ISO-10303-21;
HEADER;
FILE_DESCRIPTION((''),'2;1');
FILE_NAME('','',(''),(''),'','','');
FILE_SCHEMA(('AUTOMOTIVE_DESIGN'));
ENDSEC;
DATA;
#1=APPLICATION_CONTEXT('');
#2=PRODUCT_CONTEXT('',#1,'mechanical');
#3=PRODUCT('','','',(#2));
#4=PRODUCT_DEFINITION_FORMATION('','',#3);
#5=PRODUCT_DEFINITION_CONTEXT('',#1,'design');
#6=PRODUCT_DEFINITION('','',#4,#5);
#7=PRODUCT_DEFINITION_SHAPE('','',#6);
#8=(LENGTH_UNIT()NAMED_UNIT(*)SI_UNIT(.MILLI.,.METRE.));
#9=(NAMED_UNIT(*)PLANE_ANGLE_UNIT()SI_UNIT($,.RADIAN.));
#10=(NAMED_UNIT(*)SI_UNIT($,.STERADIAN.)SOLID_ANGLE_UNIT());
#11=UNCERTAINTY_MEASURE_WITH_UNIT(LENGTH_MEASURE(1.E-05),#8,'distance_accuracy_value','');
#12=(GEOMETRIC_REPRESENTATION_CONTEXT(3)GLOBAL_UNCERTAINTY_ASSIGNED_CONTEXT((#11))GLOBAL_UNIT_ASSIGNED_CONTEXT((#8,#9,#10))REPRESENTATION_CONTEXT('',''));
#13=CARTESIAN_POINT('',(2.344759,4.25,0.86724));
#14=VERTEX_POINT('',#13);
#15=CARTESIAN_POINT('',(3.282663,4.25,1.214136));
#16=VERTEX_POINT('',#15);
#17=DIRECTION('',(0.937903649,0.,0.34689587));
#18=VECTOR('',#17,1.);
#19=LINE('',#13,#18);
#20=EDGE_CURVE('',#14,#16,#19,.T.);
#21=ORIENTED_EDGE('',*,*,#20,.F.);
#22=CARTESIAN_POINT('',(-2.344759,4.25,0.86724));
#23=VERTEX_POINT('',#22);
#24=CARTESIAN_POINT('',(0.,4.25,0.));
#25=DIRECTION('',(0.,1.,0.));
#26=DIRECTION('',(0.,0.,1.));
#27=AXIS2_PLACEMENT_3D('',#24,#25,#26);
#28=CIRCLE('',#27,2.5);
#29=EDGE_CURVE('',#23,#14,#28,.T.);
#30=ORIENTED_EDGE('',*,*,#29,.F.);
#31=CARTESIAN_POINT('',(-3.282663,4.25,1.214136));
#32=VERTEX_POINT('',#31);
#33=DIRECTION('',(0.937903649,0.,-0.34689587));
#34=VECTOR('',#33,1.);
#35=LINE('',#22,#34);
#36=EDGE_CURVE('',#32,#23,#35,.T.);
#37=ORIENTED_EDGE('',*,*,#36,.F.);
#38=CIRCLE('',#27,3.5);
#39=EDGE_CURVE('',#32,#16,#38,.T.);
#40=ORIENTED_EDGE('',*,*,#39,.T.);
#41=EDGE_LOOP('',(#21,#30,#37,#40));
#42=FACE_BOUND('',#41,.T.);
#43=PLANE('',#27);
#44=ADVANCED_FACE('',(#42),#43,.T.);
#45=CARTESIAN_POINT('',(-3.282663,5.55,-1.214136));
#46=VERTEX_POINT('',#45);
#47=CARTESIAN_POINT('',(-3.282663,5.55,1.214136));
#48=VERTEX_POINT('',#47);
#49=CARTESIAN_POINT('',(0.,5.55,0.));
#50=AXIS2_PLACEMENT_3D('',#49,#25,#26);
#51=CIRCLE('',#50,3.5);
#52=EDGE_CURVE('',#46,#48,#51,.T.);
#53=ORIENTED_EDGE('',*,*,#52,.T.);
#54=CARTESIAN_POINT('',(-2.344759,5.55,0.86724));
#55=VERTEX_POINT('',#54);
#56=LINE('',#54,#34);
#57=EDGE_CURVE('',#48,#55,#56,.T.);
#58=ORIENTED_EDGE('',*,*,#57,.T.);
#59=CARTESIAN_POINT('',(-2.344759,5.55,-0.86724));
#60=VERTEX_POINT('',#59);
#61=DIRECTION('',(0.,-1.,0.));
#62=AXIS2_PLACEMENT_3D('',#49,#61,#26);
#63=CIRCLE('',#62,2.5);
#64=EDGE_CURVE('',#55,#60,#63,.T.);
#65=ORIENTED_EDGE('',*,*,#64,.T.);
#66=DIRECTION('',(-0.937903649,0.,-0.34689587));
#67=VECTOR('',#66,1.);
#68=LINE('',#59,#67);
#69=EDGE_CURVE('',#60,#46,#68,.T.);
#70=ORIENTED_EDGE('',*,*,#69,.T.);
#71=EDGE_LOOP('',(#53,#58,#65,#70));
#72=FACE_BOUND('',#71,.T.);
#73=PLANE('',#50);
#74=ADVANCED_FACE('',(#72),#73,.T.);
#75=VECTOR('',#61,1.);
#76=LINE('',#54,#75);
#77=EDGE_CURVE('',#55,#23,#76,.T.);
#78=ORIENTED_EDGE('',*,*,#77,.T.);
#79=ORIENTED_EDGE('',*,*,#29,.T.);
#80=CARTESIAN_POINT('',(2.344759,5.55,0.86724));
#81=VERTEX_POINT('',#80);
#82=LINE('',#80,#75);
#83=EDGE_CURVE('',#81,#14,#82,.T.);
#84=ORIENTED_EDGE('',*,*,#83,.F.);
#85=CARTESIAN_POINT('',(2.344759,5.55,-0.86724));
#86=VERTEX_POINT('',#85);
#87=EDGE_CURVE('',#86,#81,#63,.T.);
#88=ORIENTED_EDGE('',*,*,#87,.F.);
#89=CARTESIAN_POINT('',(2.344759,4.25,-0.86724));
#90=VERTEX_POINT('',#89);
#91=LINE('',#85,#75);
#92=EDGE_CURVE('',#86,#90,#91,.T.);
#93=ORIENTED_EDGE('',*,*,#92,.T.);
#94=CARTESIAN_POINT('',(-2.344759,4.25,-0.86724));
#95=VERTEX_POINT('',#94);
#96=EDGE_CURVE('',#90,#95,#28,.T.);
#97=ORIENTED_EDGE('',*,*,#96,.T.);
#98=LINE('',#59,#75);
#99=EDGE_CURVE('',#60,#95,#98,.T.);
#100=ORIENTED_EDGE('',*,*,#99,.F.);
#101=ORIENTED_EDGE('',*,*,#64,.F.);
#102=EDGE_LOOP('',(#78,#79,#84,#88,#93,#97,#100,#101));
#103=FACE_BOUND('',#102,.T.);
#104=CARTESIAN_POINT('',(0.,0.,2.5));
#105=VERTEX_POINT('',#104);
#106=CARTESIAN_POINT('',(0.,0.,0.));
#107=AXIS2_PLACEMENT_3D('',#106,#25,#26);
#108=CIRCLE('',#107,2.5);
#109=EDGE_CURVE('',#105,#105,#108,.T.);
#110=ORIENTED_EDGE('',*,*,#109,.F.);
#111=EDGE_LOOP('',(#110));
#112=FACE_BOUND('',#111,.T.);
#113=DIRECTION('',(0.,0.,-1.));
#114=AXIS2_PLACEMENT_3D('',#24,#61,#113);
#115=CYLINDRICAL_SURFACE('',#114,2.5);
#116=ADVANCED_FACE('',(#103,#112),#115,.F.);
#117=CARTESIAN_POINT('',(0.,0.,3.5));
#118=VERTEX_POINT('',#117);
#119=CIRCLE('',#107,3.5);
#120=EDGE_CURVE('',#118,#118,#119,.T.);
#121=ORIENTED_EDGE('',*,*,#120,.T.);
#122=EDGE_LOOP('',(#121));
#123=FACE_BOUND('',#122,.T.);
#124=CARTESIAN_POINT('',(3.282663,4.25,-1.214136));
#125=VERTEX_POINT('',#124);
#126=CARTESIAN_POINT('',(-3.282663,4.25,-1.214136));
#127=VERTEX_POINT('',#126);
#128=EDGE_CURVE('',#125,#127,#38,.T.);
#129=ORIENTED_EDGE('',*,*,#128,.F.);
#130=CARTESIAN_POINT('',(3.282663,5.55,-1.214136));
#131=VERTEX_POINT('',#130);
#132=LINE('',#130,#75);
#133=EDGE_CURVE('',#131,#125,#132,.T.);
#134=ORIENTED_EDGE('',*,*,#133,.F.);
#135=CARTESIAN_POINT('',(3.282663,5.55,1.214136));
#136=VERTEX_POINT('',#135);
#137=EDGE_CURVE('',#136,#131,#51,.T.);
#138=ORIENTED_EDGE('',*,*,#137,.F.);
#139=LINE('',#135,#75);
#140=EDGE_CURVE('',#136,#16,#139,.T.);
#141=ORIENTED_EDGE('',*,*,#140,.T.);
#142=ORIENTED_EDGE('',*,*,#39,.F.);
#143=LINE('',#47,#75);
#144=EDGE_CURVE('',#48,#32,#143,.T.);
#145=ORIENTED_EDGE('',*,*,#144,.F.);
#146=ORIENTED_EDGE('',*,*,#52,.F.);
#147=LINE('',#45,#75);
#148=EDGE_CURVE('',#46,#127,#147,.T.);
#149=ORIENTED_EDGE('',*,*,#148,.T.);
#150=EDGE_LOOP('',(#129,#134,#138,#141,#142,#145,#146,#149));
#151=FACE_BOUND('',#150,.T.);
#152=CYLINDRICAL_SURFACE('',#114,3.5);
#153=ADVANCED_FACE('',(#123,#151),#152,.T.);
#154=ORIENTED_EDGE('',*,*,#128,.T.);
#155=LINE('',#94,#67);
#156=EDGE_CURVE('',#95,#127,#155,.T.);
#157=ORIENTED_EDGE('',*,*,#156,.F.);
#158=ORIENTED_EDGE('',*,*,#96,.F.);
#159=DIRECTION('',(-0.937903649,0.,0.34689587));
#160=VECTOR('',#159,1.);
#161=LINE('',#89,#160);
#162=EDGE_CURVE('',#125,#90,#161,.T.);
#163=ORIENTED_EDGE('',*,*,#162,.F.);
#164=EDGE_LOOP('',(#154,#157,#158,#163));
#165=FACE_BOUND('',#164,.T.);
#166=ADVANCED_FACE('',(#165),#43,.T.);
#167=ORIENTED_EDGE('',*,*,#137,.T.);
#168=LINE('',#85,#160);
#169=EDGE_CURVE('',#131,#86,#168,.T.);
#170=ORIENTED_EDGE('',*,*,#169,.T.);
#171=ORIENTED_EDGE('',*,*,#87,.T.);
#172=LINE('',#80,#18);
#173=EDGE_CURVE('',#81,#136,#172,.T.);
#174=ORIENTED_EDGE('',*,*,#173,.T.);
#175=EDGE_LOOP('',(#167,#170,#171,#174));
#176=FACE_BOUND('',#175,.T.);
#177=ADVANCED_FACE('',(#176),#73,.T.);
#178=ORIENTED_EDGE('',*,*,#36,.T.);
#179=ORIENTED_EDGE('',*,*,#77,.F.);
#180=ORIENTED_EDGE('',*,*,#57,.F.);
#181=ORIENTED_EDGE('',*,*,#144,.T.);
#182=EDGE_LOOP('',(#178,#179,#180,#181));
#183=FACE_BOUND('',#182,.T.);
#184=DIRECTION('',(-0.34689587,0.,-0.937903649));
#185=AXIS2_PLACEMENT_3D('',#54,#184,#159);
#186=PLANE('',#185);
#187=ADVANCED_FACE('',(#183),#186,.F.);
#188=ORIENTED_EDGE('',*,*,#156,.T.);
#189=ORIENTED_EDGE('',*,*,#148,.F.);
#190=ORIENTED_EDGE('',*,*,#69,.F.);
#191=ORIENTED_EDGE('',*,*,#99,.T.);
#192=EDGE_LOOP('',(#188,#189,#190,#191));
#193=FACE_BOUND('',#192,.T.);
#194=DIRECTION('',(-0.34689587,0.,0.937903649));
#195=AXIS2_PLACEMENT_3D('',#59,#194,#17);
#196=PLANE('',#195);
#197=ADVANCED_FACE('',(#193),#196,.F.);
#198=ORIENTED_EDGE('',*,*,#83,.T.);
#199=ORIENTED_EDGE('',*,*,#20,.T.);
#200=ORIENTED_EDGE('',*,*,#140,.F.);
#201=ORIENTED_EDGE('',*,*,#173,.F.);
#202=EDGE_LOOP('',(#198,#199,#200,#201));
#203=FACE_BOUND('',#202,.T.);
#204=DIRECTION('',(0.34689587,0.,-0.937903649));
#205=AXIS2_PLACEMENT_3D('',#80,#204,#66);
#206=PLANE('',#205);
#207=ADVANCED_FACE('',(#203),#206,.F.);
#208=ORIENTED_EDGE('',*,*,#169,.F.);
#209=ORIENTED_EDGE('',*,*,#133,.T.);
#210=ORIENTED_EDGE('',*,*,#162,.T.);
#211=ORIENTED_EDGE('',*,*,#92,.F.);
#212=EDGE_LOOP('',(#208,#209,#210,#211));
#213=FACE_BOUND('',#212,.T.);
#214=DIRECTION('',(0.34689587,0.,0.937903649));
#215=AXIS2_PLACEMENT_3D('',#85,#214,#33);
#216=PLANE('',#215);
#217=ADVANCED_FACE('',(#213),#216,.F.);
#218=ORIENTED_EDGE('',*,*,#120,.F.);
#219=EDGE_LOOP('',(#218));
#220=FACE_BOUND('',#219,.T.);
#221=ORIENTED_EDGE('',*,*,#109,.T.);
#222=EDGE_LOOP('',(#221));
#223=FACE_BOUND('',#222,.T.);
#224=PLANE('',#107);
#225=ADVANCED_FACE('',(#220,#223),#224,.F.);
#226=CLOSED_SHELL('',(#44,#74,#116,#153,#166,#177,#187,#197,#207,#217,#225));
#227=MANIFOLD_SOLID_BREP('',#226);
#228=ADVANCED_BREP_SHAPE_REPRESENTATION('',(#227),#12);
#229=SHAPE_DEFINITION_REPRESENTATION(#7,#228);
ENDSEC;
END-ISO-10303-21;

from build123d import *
from build123d.topology import SkipClean

# Parameters (mm, degrees)
SKETCH1_R           = 3.5
SKETCH1_R_2         = 2.5
BOSS_EXTRUDE1_DEPTH = 4.25
BOSS_EXTRUDE2_DEPTH = 1.3


with BuildPart() as part:
    # Sketch1 → Boss-Extrude1 (new body)
    with BuildSketch(Plane(origin=(0, 0, 0), x_dir=(1, 0, 0), z_dir=(0, 1, 0))):
        with Locations(Location((0, 0, 0), (0, 0, 270))):
            Circle(SKETCH1_R)
        with Locations(Location((0, 0, 0), (0, 0, 270))):
            Circle(SKETCH1_R_2, mode=Mode.SUBTRACT)
    extrude(amount=BOSS_EXTRUDE1_DEPTH)

    # Sketch2 → Boss-Extrude2 (add)
    with SkipClean():  # the faces are left unmerged after this step: merging them gives an invalid solid
        with BuildSketch(Plane(origin=(0, 4.25, 0), x_dir=(1, 0, 0), z_dir=(0, 1, 0))):
            with BuildLine():
                Line((2.344759123, 0.867239676), (3.282662772, 1.214135546))
                ThreePointArc((3.282662772, 1.214135546), (3.5, 0), (3.282662772, -1.214135546))
                Line((3.282662772, -1.214135546), (2.344759123, -0.867239676))
                ThreePointArc((2.344759123, -0.867239676), (2.5, 0), (2.344759123, 0.867239676))
            make_face()
            with BuildLine():
                Line((-2.344759123, -0.867239676), (-3.282662772, -1.214135546))
                ThreePointArc((-3.282662772, -1.214135546), (-3.5, 0), (-3.282662772, 1.214135546))
                Line((-3.282662772, 1.214135546), (-2.344759123, 0.867239676))
                ThreePointArc((-2.344759123, 0.867239676), (-2.5, 0), (-2.344759123, -0.867239676))
            make_face()
        extrude(amount=BOSS_EXTRUDE2_DEPTH)


solid = part.part
